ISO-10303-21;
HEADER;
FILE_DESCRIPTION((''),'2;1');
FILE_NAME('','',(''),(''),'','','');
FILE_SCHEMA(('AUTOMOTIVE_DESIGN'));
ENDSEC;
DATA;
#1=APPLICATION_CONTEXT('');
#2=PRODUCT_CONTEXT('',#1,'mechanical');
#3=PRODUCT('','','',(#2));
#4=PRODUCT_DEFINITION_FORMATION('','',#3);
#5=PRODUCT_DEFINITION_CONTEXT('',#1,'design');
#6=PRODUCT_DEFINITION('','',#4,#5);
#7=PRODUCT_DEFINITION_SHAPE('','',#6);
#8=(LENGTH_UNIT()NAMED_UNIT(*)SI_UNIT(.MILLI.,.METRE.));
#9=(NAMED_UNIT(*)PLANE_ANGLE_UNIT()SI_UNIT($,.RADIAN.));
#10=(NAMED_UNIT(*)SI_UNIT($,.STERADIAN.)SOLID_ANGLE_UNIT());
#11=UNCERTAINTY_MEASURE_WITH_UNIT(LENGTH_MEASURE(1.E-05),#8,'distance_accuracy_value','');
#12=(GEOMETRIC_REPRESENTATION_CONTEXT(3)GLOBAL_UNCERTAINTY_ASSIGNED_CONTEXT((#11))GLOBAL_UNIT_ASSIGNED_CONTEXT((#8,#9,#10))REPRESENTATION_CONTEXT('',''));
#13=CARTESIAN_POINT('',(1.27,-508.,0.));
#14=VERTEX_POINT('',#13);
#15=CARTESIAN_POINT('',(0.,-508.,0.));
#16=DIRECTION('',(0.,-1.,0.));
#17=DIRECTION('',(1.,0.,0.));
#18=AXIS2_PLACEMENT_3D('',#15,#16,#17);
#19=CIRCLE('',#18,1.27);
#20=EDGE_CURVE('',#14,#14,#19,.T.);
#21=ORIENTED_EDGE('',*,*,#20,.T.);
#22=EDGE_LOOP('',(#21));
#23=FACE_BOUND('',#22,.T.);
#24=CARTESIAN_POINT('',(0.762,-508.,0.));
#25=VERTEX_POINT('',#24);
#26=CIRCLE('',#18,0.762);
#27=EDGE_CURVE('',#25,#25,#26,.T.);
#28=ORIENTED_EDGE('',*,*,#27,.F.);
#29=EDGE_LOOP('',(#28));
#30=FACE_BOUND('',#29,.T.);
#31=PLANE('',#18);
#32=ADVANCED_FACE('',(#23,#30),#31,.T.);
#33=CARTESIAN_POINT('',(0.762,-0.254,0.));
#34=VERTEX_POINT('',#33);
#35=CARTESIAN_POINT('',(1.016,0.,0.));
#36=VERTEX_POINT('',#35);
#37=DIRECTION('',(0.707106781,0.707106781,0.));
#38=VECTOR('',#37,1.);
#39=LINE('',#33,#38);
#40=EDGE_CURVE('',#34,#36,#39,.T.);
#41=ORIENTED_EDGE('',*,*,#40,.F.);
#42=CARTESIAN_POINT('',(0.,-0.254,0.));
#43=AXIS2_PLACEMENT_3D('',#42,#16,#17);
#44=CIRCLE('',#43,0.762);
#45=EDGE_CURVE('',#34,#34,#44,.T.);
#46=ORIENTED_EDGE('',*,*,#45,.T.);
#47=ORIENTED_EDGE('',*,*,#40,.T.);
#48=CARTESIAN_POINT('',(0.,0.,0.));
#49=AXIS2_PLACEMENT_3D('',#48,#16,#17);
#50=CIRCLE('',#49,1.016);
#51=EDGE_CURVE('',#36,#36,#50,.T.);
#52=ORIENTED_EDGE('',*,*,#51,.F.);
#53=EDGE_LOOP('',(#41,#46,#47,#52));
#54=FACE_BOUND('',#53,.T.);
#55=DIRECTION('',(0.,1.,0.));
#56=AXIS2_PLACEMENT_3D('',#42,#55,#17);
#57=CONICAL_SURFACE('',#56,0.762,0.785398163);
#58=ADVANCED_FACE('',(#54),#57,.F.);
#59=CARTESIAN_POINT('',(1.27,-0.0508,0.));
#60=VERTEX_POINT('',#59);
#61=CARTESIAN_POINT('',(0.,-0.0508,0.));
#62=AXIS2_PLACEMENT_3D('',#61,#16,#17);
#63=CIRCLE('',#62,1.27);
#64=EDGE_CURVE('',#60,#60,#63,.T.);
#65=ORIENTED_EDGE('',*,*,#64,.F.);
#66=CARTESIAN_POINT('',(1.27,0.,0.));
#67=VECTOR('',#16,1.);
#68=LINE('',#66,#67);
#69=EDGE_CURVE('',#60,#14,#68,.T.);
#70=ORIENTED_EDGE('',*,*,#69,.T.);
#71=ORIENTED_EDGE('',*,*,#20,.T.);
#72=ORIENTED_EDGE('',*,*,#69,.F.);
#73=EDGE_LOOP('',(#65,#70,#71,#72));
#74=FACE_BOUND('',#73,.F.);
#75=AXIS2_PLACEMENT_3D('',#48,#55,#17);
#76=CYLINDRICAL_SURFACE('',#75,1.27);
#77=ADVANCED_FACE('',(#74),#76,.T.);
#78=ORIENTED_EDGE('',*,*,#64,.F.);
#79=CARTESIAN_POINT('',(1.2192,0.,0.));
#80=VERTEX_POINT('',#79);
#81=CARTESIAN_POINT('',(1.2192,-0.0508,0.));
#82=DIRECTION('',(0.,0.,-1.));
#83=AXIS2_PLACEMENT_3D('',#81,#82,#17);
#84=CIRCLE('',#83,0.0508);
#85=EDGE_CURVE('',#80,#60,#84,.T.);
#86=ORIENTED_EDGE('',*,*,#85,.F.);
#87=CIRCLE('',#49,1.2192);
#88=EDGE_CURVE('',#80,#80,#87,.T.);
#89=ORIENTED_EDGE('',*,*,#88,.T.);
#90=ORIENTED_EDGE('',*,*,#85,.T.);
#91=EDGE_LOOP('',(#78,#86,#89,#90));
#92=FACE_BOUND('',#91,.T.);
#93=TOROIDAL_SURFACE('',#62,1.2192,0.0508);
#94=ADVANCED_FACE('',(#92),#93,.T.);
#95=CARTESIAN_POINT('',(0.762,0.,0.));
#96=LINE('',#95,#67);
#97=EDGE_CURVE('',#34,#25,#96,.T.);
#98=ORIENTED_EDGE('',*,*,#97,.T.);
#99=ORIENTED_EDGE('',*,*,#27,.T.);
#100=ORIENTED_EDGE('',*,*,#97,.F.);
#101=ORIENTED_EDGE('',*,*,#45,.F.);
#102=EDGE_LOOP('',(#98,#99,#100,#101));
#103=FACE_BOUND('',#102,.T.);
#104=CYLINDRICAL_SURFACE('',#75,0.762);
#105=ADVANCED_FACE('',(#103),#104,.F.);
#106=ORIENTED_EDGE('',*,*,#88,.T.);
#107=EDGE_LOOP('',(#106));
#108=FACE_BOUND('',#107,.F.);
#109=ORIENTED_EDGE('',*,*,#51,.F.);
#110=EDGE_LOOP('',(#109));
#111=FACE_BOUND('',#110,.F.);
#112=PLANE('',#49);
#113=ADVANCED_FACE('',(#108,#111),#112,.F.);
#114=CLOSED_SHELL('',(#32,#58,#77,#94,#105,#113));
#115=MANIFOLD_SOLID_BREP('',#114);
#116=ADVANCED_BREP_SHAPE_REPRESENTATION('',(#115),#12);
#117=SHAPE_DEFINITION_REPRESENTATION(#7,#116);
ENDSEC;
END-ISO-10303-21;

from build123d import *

# Parameters (mm, degrees)
F0_R     = 1.27
F0_R_2   = 0.762
F1_DEPTH = 508
F2_SIZE  = 0.254
F3_R     = 0.0508


with BuildPart() as f1:
    # F0 (on Front) → F1 (new body)
    with BuildSketch(Plane.XZ):
        Circle(F0_R)
        Circle(F0_R_2, mode=Mode.SUBTRACT)
    extrude(amount=F1_DEPTH)

    # F2
    f2_edges = [f1.edges().sort_by_distance(p)[0] for p in [
        (-0.762, 0, 0),
    ]]
    chamfer(f2_edges, length=F2_SIZE)

    # F3
    f3_edges = [f1.edges().sort_by_distance(p)[0] for p in [
        (-1.27, 0, 0),
    ]]
    fillet(f3_edges, radius=F3_R)


solid = f1.part
